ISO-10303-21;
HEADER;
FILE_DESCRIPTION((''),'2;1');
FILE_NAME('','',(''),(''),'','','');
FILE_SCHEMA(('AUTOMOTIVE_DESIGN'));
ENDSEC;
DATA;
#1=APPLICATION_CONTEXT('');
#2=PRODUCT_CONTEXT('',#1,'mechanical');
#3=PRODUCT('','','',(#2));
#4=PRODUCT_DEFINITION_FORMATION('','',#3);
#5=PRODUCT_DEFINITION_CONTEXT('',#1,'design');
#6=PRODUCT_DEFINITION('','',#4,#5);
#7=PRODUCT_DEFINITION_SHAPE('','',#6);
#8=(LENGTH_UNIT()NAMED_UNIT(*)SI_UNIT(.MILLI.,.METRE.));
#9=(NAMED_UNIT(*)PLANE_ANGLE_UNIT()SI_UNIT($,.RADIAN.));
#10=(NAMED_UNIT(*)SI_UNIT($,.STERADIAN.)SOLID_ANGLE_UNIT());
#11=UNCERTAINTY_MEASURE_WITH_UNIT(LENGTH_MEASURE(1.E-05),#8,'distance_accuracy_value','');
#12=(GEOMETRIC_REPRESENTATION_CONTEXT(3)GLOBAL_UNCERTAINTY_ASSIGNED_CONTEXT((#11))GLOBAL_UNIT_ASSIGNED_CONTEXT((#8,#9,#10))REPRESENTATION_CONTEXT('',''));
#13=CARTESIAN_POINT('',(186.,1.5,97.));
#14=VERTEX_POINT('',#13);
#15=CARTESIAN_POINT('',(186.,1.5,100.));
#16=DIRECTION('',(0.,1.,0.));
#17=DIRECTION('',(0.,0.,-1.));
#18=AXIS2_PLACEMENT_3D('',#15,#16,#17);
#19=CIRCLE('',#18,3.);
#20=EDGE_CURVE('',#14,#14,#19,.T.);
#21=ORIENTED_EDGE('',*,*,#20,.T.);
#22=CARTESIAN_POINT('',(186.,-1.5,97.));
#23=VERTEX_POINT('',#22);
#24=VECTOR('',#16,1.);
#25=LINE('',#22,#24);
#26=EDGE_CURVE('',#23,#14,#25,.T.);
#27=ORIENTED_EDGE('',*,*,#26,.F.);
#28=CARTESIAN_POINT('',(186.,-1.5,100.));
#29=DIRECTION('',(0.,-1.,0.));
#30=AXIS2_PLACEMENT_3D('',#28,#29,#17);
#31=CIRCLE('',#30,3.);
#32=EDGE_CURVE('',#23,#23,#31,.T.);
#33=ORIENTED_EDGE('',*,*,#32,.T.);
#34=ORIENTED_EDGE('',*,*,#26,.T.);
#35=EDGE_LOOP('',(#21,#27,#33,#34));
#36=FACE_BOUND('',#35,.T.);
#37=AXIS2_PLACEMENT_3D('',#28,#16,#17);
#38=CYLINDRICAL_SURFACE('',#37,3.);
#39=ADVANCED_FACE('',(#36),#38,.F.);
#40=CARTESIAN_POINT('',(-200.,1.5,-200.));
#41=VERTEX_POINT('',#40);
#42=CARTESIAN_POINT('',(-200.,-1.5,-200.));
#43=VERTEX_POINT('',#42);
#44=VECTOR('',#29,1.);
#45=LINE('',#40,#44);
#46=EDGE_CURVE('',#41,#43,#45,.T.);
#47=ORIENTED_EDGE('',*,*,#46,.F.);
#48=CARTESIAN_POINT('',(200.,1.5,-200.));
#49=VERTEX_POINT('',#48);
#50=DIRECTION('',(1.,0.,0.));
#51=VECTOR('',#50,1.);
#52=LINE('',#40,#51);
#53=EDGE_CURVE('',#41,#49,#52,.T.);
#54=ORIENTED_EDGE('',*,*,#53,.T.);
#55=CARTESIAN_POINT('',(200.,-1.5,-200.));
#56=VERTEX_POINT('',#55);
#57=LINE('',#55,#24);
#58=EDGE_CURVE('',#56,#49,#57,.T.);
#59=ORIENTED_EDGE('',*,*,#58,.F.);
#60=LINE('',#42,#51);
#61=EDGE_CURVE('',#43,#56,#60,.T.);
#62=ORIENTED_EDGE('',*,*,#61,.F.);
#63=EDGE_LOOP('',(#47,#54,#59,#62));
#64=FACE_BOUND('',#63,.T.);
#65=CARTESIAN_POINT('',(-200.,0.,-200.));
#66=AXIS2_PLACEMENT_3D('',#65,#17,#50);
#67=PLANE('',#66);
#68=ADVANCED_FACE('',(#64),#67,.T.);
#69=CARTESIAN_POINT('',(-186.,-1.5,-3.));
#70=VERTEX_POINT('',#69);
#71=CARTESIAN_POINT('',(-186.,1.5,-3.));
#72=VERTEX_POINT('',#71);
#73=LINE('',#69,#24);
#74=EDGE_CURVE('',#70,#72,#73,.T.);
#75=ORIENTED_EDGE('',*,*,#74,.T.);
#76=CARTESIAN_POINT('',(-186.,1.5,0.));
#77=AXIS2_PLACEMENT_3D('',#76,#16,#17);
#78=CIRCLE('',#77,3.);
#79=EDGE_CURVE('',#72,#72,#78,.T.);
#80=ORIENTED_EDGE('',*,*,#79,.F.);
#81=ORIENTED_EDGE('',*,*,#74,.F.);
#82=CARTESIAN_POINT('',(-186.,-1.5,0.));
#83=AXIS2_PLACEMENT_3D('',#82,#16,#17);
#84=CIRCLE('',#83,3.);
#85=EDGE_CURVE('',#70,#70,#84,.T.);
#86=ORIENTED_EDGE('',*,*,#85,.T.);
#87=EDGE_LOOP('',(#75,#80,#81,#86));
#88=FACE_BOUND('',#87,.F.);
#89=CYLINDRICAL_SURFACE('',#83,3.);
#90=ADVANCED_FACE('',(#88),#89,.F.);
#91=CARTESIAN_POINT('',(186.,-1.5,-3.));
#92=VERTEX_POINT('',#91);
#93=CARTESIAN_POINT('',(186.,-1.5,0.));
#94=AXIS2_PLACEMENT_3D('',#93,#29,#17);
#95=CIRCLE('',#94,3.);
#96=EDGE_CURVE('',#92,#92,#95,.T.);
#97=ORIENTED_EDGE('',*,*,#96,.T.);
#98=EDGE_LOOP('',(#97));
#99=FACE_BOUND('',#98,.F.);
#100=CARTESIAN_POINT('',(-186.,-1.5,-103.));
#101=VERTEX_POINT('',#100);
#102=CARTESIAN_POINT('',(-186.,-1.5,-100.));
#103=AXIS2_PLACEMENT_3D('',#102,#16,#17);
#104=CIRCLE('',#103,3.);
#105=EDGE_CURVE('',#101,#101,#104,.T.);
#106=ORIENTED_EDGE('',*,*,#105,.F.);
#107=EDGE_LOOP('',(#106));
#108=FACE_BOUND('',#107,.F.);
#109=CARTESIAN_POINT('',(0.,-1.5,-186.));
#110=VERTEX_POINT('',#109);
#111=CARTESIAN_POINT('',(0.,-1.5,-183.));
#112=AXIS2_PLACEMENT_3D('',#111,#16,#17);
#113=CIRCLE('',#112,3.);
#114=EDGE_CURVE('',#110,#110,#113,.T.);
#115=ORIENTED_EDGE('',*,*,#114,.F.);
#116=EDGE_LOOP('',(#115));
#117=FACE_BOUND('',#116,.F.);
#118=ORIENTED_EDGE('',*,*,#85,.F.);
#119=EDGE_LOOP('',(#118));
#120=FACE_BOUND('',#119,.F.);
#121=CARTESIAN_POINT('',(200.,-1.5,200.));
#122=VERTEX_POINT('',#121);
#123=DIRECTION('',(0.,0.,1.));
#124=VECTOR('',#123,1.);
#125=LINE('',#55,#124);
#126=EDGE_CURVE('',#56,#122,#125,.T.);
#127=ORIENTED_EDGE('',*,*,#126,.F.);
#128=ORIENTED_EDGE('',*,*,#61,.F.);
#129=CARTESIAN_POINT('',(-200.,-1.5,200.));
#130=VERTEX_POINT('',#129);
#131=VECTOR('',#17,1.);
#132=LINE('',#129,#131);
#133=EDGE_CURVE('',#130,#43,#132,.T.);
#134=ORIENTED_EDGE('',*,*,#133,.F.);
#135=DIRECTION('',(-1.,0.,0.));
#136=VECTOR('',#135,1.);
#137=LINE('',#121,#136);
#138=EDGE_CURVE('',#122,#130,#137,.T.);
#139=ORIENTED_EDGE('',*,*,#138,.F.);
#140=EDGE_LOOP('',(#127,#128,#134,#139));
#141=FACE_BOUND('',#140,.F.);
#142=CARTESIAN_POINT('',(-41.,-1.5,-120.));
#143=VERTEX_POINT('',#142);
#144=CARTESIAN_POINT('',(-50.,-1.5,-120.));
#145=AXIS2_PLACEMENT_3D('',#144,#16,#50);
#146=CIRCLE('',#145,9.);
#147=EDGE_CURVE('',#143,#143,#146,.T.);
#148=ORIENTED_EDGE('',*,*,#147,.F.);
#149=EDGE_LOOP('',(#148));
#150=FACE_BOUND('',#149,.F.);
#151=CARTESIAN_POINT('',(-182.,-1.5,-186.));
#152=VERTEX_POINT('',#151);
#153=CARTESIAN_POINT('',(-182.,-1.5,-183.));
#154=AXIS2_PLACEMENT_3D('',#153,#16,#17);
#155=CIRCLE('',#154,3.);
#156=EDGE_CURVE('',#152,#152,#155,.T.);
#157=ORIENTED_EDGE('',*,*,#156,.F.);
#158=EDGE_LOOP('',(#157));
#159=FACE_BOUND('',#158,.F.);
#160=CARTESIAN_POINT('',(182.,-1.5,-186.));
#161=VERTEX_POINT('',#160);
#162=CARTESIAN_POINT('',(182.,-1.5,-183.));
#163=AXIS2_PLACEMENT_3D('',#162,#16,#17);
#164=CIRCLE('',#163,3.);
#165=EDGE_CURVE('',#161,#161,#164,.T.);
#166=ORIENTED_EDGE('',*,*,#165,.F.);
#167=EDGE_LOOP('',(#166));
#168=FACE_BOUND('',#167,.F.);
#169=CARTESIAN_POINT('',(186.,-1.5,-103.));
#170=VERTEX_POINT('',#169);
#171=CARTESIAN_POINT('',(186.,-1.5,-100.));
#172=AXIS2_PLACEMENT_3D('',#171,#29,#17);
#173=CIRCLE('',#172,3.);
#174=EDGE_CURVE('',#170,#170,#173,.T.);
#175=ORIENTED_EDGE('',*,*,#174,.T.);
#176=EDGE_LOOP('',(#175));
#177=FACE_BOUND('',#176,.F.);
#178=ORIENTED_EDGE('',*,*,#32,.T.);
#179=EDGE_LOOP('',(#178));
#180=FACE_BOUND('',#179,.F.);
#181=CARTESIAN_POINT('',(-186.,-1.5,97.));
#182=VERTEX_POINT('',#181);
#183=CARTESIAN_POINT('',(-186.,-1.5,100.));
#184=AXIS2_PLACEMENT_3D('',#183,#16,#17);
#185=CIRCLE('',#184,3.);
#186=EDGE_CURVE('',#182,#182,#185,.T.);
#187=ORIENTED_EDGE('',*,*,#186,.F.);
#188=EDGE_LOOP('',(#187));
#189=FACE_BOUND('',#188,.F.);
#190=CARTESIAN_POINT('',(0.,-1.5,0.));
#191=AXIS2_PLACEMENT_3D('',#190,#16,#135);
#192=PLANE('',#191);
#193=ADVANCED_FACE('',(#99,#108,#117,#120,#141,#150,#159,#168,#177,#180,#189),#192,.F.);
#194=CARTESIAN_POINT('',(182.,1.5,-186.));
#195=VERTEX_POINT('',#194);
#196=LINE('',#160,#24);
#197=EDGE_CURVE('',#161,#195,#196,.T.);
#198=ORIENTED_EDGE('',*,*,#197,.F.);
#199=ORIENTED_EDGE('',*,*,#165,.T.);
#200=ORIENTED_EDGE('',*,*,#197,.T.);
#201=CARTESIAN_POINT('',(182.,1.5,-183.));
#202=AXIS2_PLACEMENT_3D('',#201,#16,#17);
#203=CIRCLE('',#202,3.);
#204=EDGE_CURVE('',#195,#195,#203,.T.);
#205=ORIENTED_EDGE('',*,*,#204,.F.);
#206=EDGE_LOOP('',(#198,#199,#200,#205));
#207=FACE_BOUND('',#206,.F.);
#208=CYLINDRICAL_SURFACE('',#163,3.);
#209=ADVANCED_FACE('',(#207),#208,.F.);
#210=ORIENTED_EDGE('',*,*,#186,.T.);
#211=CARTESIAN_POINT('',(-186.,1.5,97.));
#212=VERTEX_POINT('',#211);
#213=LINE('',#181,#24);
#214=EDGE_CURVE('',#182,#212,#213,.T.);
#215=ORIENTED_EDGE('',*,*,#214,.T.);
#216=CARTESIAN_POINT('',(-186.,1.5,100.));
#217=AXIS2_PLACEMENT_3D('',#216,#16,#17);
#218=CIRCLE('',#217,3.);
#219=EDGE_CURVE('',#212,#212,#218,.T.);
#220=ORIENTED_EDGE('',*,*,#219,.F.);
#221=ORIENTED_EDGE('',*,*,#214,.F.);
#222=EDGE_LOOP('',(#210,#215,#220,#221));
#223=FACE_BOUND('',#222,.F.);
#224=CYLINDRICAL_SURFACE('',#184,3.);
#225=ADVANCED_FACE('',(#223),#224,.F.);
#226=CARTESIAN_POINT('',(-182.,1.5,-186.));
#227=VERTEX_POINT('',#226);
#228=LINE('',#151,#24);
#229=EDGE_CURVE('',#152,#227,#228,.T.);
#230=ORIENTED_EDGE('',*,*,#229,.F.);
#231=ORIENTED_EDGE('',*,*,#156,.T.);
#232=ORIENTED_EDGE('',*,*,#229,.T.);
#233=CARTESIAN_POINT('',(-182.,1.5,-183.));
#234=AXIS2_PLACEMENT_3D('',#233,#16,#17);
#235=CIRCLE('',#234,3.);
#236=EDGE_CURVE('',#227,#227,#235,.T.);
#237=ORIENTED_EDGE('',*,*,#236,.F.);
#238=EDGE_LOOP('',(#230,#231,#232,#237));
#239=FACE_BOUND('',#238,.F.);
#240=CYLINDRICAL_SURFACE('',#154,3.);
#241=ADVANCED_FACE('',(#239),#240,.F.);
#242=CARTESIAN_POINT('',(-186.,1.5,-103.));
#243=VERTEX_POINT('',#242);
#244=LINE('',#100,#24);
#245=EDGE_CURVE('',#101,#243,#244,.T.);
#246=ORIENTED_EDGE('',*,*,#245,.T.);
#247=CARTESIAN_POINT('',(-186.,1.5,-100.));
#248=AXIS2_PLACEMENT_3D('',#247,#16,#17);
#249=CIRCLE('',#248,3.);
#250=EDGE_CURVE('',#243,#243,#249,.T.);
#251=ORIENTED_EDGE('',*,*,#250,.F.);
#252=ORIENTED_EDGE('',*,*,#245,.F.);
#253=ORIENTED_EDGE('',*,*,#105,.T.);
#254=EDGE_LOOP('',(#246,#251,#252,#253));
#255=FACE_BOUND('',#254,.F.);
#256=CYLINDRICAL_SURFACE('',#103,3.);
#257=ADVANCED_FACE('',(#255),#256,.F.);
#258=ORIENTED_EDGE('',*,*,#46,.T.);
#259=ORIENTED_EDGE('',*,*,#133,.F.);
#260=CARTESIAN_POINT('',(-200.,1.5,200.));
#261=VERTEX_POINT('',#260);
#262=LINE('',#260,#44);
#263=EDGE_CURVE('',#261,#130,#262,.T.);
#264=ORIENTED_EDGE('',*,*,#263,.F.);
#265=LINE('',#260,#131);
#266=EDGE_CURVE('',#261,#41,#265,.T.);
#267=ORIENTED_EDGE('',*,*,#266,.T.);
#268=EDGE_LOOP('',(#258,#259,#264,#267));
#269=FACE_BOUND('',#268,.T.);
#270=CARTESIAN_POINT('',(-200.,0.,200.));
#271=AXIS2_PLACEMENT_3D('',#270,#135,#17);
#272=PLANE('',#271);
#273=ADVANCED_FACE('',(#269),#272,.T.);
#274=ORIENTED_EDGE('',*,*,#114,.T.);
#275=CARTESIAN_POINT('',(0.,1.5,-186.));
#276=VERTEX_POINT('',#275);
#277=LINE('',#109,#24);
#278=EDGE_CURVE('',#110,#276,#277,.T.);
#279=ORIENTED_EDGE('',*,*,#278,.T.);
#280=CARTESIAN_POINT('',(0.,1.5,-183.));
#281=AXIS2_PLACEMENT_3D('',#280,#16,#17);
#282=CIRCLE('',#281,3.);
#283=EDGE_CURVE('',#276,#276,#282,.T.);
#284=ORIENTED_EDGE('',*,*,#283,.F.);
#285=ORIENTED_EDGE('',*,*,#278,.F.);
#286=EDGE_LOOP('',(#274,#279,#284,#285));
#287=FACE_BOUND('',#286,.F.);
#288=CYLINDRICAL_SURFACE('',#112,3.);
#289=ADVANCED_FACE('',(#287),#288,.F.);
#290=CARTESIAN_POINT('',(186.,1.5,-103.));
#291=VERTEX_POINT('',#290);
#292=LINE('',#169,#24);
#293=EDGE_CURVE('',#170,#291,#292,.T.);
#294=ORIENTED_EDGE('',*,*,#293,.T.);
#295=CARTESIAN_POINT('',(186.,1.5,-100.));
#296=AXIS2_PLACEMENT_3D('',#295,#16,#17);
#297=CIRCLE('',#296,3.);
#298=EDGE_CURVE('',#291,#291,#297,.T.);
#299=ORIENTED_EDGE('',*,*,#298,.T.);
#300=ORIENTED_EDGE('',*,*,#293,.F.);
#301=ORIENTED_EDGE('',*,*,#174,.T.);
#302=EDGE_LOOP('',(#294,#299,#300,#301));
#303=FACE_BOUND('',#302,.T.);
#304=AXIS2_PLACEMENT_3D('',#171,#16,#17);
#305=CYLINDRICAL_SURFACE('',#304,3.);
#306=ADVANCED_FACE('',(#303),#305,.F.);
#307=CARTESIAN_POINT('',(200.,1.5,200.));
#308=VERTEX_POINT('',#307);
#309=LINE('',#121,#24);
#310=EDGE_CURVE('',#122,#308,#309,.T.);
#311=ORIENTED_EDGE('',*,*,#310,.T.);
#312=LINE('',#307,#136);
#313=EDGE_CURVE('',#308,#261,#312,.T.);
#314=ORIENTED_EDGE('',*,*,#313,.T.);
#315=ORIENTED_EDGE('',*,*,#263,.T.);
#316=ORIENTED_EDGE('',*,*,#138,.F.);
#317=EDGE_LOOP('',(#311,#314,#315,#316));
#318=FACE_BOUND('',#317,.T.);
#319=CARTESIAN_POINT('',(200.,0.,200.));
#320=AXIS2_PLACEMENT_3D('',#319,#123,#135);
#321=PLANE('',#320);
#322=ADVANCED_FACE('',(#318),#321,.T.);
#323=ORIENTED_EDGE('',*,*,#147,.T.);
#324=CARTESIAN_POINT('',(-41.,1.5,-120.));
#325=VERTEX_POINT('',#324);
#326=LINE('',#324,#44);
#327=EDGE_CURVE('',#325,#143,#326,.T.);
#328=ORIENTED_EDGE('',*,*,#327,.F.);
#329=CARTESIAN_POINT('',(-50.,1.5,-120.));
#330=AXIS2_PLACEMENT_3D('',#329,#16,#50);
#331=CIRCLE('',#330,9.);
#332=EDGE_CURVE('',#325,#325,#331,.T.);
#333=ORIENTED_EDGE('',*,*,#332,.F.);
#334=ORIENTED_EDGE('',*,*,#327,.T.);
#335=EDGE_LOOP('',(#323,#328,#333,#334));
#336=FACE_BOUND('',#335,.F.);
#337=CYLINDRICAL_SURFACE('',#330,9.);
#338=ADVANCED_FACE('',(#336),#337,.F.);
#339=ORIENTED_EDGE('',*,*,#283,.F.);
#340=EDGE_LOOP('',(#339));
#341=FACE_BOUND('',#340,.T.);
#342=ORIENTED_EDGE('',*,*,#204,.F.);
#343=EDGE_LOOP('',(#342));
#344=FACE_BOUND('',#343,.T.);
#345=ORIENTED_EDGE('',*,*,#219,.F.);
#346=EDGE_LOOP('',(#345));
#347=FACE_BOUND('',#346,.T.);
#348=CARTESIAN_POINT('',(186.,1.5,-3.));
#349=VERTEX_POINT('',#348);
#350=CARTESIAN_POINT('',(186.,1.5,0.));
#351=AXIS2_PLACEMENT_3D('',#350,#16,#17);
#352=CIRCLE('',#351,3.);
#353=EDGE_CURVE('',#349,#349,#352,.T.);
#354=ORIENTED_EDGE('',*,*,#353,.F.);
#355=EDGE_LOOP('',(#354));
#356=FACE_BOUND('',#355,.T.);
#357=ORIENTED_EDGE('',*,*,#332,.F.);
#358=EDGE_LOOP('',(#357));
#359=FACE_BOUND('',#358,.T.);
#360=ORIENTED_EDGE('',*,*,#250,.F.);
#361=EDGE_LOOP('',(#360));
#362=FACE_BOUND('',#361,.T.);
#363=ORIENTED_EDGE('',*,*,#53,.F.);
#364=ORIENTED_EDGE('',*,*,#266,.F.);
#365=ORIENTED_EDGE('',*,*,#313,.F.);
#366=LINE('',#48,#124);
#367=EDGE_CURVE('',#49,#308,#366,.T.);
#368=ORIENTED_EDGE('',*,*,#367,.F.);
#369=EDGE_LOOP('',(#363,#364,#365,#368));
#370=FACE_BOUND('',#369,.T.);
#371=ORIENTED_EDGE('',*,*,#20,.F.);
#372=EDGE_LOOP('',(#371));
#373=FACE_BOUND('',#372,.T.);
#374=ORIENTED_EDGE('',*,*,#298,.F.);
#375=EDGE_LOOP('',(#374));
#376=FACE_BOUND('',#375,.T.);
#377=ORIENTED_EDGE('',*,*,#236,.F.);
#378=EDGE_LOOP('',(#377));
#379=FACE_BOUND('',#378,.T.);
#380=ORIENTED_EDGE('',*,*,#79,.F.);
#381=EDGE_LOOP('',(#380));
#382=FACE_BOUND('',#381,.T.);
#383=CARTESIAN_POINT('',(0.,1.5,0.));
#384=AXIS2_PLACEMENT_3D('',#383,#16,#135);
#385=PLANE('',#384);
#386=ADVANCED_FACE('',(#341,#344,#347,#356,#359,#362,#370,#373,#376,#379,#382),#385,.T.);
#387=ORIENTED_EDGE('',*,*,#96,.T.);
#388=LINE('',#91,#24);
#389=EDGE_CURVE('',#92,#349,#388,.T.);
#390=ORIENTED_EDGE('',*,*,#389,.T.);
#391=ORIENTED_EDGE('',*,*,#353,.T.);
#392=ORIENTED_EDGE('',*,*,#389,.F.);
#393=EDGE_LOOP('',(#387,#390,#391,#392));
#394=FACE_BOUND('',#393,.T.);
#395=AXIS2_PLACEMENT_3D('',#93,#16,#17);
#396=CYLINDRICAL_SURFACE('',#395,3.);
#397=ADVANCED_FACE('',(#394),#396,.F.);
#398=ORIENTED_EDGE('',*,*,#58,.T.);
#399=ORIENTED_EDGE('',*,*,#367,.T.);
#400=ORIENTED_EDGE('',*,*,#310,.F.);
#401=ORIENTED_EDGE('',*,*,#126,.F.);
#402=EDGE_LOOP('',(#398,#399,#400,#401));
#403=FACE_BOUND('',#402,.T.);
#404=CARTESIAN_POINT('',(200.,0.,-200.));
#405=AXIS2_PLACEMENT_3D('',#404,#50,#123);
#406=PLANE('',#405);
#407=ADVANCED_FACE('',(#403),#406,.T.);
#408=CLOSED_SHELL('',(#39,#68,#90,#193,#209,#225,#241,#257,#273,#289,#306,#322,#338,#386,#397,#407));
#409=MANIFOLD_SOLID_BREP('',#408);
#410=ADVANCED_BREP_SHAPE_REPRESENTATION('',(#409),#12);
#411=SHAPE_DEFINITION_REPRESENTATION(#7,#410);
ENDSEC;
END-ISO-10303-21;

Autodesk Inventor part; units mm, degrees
ref_plane "YZ Plane" through (0, 0, 0) normal (1, 0, 0) x (0, 1, 0)
ref_plane "XZ Plane" through (0, 0, 0) normal (0, 1, 0) x (-1, 0, 0)
ref_plane "XY Plane" through (0, 0, 0) normal (0, 0, 1) x (1, 0, 0)
sketch "Sketch1" plane through (0, 0, 0) normal (0, 1, 0) x (-1, 0, 0)
  line L0 (-200, 200) -> (200, 200)
  line L1 (200, 200) -> (200, -200)
  line L2 (200, -200) -> (-200, -200)
  line L3 (-200, -200) -> (-200, 200)
  line L4 (-200, 200) -> (200, -200) construction
  line L5 (200, 200) -> (-200, -200) construction
  point P0 (0, 0)
  dimension "d0" = 400
extrude "Extrusion1" add sketch "Sketch1" along normal mid plane 3
sketch "Sketch2" plane through (0, -1.5, 0) normal (0, -1, 0) x (1, 0, 0)
  line L0 (-200, -200) -> (200, -200) projected
  point P0 (0, 0)
  point P1 (-182, -183)
  point P2 (0, -183)
  point P3 (182, -183)
  dimension "d3" = 182
  dimension "d4" = 182
  dimension "d5" = 17
hole "Hole1" at (-182, -1.5, -183) at (0, -1.5, -183) at (182, -1.5, -183) direction (0, 1, 0) diameter 6 depth 14.2 tip angle 118
sketch "Sketch3" plane through (0, -1.5, 0) normal (0, -1, 0) x (1, 0, 0)
  line L0 (200, 200) -> (-200, 200) projected
  line L1 (-200, 200) -> (-200, -200) projected
  point P0 (0, 0)
  point P1 (-186, 100)
  point P2 (-186, 0)
  point P3 (-186, -100)
  dimension "d13" = 100
  dimension "d14" = 100
  dimension "d15" = 100
  dimension "d16" = 14
hole "Hole2" at (-186, -1.5, 100) at (-186, -1.5, 0) at (-186, -1.5, -100) direction (0, 1, 0) diameter 6 depth 14.2 tip angle 118
mirror "Mirror1" about plane through (0, 0, 0) normal (1, 0, 0) of "Hole2"
sketch "Sketch4" plane through (0, 1.5, 0) normal (0, 1, 0) x (1, 0, 0)
  circle A0 centre (-50, 120) radius 9
  line L0 (200, 200) -> (-200, 200) projected
  line L1 (-200, 200) -> (-200, -200) projected
  point P0 (0, 0)
  dimension "d24" = 80
  dimension "d25" = 18
  dimension "d26" = 150
extrude "Extrusion2" cut sketch "Sketch4" against normal blind 10
equation "\"d4\" = d3"
equation "\"d14\" = d13"
equation "\"d15\" = d14"
properties part number "HCMUTE-CDT23-KXL_A02" material "PMMA Plastic"
